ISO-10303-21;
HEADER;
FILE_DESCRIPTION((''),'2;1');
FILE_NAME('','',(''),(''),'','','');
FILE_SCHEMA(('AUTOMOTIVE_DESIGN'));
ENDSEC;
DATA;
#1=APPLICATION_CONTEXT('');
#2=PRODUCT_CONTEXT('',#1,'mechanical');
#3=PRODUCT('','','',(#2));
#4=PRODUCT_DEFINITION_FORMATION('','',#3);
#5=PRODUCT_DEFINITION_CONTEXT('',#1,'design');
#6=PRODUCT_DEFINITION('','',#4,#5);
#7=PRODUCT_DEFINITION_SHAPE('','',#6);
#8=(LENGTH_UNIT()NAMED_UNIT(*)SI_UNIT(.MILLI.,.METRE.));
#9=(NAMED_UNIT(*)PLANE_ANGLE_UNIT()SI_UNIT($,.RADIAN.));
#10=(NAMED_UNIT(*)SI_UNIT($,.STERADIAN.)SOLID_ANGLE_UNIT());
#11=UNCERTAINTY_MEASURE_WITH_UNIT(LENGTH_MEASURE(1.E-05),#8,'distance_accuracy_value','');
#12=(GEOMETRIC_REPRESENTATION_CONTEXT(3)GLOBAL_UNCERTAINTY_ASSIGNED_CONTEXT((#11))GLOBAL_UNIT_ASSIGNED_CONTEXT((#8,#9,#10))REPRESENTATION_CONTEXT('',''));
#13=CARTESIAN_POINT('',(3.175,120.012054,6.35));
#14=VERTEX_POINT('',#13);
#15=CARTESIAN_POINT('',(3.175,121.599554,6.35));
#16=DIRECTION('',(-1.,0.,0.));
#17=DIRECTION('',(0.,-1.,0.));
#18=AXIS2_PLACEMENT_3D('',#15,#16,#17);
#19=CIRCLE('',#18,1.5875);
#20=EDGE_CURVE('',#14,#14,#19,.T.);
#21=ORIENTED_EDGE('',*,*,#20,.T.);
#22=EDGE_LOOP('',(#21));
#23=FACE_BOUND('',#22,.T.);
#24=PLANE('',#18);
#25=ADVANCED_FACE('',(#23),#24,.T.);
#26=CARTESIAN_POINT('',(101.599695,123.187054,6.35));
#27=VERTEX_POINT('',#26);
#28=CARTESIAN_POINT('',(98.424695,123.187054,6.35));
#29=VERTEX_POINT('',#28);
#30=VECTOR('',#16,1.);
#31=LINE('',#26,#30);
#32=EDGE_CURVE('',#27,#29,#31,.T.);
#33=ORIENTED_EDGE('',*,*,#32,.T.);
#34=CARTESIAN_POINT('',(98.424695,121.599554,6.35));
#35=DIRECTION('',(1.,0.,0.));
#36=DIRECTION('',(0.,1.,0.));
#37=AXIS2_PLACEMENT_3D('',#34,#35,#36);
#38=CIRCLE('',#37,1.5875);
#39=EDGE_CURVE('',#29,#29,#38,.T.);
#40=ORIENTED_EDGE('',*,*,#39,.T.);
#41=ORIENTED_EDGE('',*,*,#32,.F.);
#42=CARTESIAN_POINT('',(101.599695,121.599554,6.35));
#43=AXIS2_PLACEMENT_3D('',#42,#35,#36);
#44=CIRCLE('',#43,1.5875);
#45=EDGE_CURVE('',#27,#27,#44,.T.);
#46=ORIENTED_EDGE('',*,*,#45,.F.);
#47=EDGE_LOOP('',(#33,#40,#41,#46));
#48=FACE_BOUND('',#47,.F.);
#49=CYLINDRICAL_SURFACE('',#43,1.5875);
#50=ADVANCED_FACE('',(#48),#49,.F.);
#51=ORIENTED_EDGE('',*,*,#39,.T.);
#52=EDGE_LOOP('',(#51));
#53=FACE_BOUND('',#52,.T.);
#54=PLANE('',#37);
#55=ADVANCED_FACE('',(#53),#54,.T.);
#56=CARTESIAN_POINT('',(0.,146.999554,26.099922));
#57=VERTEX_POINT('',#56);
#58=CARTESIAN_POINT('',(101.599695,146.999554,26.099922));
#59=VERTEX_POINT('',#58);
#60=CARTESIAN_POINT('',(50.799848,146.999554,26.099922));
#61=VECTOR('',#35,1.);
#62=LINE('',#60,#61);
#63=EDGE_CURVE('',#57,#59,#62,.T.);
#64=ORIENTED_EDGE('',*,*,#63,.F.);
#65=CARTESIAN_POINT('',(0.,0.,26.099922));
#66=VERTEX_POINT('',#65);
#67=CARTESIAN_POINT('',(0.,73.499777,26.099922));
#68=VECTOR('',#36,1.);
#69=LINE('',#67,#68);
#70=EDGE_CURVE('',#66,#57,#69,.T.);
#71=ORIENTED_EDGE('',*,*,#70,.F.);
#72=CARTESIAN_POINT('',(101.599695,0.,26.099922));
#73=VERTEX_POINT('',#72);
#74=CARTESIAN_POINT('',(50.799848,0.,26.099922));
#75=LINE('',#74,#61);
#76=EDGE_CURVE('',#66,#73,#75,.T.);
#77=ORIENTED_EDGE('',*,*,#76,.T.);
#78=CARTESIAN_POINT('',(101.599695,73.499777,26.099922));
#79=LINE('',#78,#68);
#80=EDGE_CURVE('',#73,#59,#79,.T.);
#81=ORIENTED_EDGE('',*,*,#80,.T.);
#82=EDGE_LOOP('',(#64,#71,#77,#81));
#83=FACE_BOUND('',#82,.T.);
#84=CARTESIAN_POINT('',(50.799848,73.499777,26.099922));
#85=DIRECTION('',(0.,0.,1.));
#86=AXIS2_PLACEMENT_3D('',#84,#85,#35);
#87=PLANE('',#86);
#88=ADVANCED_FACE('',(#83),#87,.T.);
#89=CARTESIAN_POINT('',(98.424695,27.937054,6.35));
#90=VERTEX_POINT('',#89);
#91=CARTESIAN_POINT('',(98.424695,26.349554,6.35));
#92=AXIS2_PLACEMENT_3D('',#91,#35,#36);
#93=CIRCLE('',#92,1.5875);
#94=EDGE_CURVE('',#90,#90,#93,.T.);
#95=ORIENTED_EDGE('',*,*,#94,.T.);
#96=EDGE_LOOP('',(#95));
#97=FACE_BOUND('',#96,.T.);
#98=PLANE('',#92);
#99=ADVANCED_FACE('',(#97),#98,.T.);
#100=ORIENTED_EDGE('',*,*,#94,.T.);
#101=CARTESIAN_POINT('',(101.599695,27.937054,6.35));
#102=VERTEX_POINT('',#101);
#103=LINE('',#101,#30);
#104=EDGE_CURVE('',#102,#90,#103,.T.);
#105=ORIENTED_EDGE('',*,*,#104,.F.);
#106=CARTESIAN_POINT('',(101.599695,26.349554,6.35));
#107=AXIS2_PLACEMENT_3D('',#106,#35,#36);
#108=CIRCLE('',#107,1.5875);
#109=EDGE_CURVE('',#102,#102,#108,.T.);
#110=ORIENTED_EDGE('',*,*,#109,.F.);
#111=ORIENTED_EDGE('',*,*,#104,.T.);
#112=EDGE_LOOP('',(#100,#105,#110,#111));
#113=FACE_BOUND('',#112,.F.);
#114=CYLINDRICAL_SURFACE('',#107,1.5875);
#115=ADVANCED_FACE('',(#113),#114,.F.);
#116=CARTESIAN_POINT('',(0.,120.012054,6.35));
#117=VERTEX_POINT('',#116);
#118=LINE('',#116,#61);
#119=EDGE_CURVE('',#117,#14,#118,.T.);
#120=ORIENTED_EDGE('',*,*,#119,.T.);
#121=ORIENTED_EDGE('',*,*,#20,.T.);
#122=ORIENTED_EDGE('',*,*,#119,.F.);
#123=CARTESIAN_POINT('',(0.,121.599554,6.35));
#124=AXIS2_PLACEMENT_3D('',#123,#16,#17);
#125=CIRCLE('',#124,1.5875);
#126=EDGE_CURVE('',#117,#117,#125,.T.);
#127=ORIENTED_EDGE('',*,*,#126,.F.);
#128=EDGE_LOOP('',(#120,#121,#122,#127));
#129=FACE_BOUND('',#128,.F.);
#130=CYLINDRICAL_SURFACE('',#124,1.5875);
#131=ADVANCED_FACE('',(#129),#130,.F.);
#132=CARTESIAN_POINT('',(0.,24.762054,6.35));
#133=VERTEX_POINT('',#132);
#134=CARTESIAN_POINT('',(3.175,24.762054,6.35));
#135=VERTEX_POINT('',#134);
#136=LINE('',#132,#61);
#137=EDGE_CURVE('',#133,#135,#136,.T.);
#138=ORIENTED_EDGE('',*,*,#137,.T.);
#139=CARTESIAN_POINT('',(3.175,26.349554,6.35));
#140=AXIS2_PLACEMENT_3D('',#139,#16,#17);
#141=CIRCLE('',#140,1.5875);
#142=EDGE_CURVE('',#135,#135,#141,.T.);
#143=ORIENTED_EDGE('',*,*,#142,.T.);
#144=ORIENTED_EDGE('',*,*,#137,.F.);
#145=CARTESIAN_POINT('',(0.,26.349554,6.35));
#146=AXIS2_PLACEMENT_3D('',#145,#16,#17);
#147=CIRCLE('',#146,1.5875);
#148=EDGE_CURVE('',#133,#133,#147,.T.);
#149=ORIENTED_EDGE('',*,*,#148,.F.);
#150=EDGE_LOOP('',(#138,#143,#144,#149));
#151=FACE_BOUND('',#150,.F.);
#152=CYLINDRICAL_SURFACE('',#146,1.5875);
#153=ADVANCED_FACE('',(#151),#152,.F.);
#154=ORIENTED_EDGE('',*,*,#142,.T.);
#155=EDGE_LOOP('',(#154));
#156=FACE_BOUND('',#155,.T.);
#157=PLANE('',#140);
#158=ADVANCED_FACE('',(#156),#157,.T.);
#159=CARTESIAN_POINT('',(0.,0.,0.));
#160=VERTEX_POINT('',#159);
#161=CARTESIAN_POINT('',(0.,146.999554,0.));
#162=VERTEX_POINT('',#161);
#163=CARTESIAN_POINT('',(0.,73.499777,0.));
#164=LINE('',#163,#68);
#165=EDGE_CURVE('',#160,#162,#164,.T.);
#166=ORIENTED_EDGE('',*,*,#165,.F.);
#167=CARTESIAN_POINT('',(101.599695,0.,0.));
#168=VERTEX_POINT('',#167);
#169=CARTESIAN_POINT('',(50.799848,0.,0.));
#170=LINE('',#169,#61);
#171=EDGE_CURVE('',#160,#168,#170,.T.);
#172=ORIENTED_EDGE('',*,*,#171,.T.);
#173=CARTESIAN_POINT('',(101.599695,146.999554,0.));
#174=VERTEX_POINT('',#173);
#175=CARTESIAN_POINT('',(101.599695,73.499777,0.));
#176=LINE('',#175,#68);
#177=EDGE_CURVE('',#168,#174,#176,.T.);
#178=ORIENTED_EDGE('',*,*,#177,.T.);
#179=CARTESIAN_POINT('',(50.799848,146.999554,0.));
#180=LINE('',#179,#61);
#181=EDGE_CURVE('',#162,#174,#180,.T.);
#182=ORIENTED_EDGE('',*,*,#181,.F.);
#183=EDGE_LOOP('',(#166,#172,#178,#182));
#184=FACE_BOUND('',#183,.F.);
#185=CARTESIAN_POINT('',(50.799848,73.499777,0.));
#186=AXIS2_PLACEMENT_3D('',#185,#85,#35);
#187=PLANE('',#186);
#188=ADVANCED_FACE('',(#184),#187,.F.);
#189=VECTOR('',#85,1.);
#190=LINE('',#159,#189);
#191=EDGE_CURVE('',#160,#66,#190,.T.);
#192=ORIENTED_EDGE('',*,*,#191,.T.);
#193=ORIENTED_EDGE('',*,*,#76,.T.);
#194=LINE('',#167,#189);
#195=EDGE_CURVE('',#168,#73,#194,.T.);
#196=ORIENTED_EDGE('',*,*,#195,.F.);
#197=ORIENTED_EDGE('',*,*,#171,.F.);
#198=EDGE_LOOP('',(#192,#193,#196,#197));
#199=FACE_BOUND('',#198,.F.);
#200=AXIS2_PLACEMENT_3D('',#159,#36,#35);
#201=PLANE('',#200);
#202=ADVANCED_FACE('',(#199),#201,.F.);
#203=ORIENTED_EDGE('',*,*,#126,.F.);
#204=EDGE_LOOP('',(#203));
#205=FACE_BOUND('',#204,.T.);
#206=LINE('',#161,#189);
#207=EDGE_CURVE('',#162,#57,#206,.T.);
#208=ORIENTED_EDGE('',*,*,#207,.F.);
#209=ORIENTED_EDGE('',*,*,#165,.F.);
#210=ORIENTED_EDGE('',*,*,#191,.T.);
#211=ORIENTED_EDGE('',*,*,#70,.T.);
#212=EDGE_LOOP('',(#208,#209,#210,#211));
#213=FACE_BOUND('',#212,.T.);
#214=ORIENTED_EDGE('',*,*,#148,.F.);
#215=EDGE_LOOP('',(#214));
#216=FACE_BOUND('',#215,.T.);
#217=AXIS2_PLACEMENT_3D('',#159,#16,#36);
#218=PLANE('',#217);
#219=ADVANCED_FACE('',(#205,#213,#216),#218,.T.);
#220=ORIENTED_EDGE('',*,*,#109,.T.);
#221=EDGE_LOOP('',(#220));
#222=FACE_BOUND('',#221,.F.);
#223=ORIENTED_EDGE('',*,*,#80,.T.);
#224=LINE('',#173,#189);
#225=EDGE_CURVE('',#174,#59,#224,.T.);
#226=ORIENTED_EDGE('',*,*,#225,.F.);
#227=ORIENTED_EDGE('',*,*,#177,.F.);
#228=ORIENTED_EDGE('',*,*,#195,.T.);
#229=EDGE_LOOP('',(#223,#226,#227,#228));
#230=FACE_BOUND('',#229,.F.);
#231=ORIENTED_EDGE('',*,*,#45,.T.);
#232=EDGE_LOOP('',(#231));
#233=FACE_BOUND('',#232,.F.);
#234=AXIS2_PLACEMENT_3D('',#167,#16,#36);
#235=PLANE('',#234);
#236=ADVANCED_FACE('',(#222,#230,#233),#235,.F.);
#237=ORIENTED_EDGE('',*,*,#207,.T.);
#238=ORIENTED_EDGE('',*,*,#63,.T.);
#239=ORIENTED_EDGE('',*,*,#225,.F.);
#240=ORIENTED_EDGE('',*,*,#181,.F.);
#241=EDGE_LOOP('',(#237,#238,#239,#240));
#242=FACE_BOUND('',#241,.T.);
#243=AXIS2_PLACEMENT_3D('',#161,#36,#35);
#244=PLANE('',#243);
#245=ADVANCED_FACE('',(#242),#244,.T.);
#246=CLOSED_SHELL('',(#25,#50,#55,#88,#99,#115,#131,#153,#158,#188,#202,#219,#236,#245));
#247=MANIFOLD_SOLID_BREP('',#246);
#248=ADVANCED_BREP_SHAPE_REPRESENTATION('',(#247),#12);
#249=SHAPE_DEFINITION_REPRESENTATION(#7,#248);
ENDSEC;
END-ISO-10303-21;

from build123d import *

# Parameters (mm, degrees)
F0_W     = 101.5996952
F0_H     = 146.9995536
F1_DEPTH = 26.0999224
F2_R     = 1.5875
F3_DEPTH = 3.175
F4_R     = 1.5875
F5_DEPTH = 3.175


with BuildPart() as f1:
    # F0 (on Top) → F1 (new body)
    with BuildSketch(Plane.XY):
        with Locations((50.7998476, 73.4997768)):
            Rectangle(F0_W, F0_H)
    extrude(amount=F1_DEPTH)

    # F2 (on face) → F3 (cut)
    with BuildSketch(Plane(origin=(0, 0, 0), x_dir=(0, -1, 0), z_dir=(-1, 0, 0))):
        with Locations((-121.5995536, 6.35)):
            Circle(F2_R)
        with Locations((-26.3495536, 6.35)):
            Circle(F2_R)
    extrude(amount=-F3_DEPTH, mode=Mode.SUBTRACT)

    # F4 (on face) → F5 (cut)
    with BuildSketch(Plane.YZ.offset(101.5996952)):
        with Locations((26.3495536, 6.35)):
            Circle(F4_R)
        with Locations((121.5995536, 6.35)):
            Circle(F4_R)
    extrude(amount=-F5_DEPTH, mode=Mode.SUBTRACT)


solid = f1.part
